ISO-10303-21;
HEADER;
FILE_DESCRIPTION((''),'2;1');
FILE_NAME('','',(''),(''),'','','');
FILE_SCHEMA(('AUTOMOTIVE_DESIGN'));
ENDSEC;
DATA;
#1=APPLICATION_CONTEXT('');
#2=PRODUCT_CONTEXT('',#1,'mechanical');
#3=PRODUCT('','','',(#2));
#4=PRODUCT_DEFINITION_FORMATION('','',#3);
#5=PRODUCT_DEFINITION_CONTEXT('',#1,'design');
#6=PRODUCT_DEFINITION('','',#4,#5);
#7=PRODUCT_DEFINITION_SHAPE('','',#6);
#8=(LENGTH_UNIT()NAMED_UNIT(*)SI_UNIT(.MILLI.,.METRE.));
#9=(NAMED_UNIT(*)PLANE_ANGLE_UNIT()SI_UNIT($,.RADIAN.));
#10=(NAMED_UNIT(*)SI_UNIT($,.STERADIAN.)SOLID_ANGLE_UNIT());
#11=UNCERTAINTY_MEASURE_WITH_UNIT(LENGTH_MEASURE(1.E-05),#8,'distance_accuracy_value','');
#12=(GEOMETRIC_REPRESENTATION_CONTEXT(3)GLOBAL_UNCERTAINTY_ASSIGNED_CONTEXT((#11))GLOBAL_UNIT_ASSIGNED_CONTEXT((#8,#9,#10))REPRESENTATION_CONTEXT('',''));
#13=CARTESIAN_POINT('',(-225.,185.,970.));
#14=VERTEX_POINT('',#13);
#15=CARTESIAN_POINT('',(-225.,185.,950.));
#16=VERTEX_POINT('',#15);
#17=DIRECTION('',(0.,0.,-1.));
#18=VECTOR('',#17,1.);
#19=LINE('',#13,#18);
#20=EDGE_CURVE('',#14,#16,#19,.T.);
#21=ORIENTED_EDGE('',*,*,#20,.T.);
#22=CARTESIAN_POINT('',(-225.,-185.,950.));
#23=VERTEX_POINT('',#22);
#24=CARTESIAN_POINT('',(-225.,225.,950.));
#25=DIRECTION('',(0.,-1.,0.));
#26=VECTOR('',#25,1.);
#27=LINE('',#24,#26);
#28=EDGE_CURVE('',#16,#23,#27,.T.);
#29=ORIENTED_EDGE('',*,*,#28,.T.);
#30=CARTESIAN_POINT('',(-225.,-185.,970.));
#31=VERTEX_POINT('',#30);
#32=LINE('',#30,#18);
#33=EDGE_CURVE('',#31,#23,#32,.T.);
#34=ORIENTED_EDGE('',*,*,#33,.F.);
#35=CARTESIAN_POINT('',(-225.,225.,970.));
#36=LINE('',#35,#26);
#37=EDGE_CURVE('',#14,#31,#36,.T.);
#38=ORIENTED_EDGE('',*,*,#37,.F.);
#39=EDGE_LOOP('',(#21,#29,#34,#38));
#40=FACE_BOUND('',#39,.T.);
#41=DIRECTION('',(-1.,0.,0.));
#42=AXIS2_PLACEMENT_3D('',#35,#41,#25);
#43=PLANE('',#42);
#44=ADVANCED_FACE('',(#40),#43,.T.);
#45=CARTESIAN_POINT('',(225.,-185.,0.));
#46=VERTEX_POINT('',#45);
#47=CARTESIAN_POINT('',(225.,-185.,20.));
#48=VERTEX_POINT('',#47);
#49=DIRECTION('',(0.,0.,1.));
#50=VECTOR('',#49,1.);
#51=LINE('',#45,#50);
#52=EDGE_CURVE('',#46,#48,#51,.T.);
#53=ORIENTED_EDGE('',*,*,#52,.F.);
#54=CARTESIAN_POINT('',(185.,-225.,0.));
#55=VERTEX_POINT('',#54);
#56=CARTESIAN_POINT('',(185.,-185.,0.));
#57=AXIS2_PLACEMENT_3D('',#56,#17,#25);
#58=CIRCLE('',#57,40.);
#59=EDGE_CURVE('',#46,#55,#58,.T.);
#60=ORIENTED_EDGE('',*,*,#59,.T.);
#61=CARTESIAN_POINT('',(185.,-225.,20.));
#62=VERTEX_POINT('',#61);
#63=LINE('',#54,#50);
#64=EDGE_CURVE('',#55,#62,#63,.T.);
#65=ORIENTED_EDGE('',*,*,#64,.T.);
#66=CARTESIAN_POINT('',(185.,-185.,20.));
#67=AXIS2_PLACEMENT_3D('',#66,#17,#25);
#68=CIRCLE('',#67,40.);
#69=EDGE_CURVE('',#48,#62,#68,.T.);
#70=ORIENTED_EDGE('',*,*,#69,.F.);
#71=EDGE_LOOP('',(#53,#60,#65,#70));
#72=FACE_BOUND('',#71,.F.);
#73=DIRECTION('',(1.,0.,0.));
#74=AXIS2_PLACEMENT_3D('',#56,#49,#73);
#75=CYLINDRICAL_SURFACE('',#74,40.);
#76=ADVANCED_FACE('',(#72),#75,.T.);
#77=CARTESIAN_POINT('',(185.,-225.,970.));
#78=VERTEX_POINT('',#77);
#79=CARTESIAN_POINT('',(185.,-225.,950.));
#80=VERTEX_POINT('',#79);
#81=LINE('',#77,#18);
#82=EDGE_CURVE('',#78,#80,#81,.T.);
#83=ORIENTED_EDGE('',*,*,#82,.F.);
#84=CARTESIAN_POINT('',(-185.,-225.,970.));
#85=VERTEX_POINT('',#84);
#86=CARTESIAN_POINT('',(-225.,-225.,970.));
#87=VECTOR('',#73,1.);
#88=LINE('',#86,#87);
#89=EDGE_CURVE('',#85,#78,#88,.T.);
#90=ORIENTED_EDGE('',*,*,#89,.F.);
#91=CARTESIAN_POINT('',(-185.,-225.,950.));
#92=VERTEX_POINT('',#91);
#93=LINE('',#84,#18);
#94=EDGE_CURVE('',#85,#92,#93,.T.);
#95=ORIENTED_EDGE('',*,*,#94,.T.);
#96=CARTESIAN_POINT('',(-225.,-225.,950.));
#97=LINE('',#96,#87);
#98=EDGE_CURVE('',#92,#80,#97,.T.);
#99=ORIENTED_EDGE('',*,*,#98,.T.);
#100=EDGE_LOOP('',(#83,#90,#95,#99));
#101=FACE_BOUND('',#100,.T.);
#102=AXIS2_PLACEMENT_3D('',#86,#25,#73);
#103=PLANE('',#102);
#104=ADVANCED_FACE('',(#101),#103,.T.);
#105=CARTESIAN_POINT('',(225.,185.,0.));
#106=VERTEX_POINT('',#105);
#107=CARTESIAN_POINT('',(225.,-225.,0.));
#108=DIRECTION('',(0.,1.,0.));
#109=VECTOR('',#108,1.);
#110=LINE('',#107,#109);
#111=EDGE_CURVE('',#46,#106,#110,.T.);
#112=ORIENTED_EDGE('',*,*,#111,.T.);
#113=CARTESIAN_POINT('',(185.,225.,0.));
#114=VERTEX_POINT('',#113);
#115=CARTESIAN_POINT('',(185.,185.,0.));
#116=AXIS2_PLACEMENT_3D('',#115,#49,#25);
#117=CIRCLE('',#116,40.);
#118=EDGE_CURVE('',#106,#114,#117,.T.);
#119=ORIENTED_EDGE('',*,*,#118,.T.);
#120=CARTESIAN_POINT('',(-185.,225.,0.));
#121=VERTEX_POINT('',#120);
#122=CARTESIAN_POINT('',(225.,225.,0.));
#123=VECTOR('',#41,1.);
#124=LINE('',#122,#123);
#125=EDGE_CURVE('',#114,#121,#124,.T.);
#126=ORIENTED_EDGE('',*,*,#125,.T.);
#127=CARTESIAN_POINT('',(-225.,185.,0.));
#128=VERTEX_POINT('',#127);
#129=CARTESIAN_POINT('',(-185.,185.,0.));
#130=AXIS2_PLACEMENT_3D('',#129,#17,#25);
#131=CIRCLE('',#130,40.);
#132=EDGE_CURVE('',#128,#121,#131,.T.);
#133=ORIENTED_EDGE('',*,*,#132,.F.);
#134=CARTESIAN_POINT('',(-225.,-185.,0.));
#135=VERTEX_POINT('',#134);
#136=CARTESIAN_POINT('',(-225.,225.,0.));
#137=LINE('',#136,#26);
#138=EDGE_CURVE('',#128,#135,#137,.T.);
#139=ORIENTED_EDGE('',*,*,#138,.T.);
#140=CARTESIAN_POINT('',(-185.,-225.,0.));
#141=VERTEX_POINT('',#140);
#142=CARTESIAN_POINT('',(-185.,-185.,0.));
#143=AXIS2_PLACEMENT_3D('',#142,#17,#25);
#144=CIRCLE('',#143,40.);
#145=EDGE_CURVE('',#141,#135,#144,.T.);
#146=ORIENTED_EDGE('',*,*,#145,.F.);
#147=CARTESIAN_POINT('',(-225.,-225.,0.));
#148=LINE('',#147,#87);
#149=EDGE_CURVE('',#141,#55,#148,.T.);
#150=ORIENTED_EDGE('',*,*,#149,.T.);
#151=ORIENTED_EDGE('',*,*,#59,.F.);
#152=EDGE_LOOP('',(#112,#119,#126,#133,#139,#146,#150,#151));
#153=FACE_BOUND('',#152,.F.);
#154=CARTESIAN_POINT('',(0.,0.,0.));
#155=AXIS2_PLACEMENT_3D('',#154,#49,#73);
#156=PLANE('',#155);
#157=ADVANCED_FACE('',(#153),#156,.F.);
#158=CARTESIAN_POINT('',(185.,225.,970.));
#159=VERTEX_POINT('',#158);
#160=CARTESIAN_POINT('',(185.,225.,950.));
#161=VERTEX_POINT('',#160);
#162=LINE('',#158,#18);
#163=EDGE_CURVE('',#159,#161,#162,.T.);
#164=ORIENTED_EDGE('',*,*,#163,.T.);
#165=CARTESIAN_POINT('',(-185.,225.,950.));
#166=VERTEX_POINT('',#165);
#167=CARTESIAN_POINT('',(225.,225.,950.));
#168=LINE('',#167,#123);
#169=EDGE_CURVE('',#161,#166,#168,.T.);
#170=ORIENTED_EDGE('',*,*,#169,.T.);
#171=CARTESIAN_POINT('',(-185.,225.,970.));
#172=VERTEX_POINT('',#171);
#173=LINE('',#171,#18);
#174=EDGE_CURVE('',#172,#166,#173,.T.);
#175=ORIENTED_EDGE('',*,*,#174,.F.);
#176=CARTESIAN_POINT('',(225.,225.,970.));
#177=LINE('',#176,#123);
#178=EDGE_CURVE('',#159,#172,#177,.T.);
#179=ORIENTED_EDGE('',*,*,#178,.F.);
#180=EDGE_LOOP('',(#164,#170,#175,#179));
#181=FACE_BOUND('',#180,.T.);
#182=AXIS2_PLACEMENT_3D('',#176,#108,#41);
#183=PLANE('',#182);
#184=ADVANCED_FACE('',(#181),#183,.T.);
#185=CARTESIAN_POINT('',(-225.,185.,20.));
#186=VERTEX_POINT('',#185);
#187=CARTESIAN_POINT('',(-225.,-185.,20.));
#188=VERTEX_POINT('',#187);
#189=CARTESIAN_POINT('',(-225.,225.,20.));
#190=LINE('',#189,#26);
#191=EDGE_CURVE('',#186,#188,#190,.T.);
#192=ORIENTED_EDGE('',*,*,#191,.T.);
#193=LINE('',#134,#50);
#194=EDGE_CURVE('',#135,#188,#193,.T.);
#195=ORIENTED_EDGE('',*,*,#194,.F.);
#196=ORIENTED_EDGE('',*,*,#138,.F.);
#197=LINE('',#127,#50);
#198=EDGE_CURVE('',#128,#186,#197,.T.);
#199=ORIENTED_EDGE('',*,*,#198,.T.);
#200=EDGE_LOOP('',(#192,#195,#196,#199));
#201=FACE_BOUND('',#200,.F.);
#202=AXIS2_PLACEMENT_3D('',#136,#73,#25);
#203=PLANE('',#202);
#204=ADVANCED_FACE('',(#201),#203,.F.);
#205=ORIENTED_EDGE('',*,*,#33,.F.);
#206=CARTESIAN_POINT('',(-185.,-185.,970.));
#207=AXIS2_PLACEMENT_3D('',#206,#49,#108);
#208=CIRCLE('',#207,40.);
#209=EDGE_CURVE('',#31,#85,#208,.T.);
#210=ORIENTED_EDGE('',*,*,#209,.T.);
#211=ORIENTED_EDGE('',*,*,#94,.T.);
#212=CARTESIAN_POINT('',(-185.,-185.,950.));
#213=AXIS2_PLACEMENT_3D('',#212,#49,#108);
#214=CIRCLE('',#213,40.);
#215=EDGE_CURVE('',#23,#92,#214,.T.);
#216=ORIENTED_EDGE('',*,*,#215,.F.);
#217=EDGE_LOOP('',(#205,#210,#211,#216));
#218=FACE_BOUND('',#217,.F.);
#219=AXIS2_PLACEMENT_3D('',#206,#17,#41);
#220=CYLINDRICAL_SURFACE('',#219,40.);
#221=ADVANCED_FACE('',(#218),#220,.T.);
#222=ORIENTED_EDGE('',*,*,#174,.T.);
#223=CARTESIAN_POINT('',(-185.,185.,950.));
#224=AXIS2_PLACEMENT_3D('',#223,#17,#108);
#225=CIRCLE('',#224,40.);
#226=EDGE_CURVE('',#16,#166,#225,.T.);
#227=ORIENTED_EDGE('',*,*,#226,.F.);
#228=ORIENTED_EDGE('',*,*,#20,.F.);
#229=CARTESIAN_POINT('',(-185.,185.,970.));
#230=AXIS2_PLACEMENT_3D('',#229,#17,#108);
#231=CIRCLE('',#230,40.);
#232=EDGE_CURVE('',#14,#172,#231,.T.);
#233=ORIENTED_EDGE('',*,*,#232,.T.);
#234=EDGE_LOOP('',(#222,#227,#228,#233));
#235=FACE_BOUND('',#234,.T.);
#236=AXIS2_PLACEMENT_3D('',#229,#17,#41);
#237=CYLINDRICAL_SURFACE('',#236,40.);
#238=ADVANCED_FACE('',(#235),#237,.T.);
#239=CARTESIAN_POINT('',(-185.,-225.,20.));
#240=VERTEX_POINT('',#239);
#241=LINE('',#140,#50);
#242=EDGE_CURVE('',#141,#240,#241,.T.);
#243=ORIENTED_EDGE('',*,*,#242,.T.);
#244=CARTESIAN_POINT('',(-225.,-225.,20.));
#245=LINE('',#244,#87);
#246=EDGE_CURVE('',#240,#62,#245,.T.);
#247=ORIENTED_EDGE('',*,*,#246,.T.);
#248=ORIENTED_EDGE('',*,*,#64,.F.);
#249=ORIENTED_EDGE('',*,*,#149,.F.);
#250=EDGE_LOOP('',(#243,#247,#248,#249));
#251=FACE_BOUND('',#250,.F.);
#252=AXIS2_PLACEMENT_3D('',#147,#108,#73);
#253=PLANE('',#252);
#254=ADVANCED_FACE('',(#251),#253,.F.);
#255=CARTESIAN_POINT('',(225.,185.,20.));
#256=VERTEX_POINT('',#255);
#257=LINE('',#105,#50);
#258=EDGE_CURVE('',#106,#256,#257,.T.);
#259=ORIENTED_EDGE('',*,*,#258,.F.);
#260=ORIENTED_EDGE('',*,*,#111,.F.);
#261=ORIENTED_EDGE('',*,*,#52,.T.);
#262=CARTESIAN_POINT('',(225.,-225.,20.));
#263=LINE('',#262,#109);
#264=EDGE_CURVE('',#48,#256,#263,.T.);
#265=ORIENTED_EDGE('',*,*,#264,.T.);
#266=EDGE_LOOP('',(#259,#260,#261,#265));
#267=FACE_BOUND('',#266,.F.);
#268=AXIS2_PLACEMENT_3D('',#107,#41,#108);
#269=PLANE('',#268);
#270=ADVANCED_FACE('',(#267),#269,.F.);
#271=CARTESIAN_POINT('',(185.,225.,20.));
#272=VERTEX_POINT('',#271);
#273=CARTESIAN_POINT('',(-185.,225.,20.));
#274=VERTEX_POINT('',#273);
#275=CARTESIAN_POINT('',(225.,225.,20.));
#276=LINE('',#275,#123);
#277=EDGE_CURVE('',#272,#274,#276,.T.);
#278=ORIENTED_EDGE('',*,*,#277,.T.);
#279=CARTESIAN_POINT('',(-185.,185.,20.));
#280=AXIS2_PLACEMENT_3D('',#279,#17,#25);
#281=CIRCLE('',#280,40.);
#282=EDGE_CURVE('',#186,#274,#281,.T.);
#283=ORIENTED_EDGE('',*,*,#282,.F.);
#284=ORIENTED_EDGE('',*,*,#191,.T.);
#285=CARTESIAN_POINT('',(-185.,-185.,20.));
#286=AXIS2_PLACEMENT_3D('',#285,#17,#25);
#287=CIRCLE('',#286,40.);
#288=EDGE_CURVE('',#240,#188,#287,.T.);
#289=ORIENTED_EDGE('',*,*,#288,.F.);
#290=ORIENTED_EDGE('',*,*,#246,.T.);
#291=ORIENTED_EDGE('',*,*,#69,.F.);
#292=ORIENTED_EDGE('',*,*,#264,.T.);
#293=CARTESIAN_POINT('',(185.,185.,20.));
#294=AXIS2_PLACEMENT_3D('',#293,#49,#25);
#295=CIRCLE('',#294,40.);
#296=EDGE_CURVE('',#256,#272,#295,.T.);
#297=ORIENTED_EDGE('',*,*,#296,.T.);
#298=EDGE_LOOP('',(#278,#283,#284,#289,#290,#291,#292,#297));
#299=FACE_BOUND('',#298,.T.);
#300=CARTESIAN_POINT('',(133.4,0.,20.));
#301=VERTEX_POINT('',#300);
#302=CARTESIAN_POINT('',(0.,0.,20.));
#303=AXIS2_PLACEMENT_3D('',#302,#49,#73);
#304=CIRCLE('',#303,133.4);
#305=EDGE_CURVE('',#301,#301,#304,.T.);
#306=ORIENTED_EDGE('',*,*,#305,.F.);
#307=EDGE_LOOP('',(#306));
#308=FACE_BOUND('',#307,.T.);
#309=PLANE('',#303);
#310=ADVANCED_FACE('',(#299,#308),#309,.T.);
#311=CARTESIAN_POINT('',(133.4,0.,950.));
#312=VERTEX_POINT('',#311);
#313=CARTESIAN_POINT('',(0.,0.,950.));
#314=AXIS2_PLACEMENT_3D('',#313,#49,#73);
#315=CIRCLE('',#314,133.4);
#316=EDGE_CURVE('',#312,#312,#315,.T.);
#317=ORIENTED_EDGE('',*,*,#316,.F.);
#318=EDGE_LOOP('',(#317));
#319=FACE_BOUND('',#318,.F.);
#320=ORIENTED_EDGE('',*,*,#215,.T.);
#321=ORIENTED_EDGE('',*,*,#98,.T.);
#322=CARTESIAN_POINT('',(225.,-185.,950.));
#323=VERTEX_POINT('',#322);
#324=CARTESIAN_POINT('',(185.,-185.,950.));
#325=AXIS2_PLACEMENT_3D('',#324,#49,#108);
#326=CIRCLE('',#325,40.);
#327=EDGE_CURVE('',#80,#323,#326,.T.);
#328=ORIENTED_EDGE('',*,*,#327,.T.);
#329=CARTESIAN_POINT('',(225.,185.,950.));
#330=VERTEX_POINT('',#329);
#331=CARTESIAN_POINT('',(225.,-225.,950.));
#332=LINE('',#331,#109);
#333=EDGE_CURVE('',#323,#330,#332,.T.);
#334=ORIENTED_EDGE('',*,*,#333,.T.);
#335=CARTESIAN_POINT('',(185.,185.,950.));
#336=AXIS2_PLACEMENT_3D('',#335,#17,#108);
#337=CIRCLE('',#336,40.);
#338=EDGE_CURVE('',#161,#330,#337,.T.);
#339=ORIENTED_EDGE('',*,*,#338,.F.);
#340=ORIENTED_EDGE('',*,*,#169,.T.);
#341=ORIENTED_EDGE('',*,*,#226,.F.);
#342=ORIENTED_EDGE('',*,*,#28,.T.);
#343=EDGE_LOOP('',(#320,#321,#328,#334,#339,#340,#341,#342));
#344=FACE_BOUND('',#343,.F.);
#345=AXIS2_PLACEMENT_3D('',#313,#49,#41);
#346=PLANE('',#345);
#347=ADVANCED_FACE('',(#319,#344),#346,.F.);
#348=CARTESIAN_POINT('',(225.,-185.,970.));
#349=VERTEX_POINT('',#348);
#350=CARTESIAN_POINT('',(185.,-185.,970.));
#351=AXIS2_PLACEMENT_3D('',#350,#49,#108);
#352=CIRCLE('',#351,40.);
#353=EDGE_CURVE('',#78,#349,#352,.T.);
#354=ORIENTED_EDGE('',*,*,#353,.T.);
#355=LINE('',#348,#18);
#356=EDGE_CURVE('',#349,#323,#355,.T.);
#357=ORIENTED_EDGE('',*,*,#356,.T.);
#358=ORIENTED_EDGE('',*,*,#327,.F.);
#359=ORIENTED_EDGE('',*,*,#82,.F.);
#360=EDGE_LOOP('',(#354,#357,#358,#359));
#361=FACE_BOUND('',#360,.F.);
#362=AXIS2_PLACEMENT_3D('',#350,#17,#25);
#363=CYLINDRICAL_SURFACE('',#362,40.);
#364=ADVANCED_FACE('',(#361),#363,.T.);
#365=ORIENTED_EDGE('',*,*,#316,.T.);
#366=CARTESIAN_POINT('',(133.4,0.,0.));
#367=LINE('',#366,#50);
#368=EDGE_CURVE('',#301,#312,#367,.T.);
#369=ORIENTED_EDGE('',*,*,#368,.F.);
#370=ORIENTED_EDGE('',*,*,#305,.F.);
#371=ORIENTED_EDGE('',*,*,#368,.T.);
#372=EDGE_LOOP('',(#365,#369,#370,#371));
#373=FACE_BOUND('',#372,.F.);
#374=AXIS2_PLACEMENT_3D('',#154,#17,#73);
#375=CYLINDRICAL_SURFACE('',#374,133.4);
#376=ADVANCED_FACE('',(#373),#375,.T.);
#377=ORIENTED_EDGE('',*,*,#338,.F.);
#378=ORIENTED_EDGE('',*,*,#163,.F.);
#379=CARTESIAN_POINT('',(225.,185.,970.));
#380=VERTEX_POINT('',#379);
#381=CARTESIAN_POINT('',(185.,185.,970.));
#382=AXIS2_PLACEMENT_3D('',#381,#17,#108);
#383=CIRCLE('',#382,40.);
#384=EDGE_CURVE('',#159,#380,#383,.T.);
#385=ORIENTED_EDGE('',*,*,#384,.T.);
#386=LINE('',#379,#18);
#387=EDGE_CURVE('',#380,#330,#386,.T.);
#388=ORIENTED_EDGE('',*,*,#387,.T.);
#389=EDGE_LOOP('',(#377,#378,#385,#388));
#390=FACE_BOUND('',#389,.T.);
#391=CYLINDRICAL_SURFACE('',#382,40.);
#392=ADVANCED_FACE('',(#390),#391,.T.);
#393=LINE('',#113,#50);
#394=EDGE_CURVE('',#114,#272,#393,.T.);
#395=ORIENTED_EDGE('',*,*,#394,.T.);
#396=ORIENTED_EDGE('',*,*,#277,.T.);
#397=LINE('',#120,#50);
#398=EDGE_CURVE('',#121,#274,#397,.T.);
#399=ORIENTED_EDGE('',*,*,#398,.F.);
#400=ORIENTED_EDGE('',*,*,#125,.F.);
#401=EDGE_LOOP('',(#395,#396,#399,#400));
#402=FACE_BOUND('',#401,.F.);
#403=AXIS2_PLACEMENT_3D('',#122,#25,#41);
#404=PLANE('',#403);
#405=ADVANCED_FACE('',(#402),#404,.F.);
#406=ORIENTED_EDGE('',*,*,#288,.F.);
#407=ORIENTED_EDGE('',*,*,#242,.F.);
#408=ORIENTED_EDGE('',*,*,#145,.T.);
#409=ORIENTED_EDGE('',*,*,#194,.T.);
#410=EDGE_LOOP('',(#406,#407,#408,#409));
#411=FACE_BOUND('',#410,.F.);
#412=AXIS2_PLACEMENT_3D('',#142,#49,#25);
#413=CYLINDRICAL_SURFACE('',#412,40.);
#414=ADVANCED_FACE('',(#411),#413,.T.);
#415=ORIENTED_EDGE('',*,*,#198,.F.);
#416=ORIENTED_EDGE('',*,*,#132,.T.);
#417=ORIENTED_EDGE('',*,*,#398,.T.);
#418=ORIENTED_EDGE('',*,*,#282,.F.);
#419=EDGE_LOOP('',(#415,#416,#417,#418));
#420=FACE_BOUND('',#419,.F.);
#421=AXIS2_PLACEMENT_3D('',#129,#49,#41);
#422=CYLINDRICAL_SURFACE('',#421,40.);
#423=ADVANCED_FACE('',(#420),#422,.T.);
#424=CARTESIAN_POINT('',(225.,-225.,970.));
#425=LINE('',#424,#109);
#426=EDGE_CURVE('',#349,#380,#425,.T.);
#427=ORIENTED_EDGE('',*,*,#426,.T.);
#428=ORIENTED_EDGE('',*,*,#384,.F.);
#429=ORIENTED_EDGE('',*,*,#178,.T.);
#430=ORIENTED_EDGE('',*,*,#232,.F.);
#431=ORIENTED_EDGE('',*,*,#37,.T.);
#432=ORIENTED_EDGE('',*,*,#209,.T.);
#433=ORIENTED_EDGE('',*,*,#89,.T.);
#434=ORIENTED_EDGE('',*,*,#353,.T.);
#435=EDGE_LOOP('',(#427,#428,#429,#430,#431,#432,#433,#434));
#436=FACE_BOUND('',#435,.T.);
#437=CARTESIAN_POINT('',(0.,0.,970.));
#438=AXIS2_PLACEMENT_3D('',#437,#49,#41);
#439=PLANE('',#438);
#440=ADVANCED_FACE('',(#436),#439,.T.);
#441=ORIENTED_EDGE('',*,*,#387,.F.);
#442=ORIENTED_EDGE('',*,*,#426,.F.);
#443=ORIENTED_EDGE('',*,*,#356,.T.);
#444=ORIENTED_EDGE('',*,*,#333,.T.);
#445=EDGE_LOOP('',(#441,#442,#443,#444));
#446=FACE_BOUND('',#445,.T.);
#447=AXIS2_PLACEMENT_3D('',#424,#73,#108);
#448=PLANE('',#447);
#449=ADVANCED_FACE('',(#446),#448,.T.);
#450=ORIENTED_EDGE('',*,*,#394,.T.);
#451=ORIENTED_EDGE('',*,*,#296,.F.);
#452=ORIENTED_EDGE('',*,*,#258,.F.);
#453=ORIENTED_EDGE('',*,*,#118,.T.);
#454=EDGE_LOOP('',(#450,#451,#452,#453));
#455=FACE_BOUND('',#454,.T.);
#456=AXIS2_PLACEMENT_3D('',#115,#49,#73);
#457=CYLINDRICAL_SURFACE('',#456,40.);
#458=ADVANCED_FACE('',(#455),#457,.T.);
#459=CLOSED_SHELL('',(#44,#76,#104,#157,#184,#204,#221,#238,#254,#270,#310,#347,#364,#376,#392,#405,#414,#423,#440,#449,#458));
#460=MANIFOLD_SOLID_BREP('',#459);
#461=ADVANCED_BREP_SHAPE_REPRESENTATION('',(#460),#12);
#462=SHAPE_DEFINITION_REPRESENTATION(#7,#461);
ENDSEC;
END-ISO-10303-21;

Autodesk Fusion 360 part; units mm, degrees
sketch "Sketch1" plane through (0, 0, 0) normal (0, 0, 1) x (1, 0, 0)
  line L0 (225, 225) -> (-225, 225)
  line L1 (-225, 225) -> (-225, -225)
  line L2 (-225, -225) -> (225, -225)
  line L3 (225, -225) -> (225, 225)
  line L4 (225, 225) -> (-225, -225) construction
  line L5 (-225, 225) -> (225, -225) construction
  circle A0 centre (0, 0) radius 133.4
  dimension "d1" = 450
  dimension "d2" = 450
  dimension "d3" = 266.8
extrude "Extrude1" add sketch "Sketch1" along normal blind 20
extrude "Extrude2" add sketch "Sketch1" along normal blind 970 contours A0
sketch "Sketch2" plane through (0, 0, 970) normal (0, 0, 1) x (-1, 0, 0)
  circle A0 centre (0, 0) radius 133.4
  line L0 (225, 225) -> (-225, 225)
  line L1 (-225, 225) -> (-225, -225)
  line L2 (-225, -225) -> (225, -225)
  line L3 (225, -225) -> (225, 225)
  line L4 (225, 225) -> (-225, -225) construction
  line L5 (-225, 225) -> (225, -225) construction
  dimension "d8" = 450
  dimension "d9" = 450
extrude "Extrude3" add sketch "Sketch2" against normal blind 20
fillet "Fillet1" radius 40 8 edges at (225, 225, 960) (225, -225, 960) (-225, -225, 960) (-225, 225, 960) (-225, 225, 10) (-225, -225, 10) (225, 225, 10) (225, -225, 10)
